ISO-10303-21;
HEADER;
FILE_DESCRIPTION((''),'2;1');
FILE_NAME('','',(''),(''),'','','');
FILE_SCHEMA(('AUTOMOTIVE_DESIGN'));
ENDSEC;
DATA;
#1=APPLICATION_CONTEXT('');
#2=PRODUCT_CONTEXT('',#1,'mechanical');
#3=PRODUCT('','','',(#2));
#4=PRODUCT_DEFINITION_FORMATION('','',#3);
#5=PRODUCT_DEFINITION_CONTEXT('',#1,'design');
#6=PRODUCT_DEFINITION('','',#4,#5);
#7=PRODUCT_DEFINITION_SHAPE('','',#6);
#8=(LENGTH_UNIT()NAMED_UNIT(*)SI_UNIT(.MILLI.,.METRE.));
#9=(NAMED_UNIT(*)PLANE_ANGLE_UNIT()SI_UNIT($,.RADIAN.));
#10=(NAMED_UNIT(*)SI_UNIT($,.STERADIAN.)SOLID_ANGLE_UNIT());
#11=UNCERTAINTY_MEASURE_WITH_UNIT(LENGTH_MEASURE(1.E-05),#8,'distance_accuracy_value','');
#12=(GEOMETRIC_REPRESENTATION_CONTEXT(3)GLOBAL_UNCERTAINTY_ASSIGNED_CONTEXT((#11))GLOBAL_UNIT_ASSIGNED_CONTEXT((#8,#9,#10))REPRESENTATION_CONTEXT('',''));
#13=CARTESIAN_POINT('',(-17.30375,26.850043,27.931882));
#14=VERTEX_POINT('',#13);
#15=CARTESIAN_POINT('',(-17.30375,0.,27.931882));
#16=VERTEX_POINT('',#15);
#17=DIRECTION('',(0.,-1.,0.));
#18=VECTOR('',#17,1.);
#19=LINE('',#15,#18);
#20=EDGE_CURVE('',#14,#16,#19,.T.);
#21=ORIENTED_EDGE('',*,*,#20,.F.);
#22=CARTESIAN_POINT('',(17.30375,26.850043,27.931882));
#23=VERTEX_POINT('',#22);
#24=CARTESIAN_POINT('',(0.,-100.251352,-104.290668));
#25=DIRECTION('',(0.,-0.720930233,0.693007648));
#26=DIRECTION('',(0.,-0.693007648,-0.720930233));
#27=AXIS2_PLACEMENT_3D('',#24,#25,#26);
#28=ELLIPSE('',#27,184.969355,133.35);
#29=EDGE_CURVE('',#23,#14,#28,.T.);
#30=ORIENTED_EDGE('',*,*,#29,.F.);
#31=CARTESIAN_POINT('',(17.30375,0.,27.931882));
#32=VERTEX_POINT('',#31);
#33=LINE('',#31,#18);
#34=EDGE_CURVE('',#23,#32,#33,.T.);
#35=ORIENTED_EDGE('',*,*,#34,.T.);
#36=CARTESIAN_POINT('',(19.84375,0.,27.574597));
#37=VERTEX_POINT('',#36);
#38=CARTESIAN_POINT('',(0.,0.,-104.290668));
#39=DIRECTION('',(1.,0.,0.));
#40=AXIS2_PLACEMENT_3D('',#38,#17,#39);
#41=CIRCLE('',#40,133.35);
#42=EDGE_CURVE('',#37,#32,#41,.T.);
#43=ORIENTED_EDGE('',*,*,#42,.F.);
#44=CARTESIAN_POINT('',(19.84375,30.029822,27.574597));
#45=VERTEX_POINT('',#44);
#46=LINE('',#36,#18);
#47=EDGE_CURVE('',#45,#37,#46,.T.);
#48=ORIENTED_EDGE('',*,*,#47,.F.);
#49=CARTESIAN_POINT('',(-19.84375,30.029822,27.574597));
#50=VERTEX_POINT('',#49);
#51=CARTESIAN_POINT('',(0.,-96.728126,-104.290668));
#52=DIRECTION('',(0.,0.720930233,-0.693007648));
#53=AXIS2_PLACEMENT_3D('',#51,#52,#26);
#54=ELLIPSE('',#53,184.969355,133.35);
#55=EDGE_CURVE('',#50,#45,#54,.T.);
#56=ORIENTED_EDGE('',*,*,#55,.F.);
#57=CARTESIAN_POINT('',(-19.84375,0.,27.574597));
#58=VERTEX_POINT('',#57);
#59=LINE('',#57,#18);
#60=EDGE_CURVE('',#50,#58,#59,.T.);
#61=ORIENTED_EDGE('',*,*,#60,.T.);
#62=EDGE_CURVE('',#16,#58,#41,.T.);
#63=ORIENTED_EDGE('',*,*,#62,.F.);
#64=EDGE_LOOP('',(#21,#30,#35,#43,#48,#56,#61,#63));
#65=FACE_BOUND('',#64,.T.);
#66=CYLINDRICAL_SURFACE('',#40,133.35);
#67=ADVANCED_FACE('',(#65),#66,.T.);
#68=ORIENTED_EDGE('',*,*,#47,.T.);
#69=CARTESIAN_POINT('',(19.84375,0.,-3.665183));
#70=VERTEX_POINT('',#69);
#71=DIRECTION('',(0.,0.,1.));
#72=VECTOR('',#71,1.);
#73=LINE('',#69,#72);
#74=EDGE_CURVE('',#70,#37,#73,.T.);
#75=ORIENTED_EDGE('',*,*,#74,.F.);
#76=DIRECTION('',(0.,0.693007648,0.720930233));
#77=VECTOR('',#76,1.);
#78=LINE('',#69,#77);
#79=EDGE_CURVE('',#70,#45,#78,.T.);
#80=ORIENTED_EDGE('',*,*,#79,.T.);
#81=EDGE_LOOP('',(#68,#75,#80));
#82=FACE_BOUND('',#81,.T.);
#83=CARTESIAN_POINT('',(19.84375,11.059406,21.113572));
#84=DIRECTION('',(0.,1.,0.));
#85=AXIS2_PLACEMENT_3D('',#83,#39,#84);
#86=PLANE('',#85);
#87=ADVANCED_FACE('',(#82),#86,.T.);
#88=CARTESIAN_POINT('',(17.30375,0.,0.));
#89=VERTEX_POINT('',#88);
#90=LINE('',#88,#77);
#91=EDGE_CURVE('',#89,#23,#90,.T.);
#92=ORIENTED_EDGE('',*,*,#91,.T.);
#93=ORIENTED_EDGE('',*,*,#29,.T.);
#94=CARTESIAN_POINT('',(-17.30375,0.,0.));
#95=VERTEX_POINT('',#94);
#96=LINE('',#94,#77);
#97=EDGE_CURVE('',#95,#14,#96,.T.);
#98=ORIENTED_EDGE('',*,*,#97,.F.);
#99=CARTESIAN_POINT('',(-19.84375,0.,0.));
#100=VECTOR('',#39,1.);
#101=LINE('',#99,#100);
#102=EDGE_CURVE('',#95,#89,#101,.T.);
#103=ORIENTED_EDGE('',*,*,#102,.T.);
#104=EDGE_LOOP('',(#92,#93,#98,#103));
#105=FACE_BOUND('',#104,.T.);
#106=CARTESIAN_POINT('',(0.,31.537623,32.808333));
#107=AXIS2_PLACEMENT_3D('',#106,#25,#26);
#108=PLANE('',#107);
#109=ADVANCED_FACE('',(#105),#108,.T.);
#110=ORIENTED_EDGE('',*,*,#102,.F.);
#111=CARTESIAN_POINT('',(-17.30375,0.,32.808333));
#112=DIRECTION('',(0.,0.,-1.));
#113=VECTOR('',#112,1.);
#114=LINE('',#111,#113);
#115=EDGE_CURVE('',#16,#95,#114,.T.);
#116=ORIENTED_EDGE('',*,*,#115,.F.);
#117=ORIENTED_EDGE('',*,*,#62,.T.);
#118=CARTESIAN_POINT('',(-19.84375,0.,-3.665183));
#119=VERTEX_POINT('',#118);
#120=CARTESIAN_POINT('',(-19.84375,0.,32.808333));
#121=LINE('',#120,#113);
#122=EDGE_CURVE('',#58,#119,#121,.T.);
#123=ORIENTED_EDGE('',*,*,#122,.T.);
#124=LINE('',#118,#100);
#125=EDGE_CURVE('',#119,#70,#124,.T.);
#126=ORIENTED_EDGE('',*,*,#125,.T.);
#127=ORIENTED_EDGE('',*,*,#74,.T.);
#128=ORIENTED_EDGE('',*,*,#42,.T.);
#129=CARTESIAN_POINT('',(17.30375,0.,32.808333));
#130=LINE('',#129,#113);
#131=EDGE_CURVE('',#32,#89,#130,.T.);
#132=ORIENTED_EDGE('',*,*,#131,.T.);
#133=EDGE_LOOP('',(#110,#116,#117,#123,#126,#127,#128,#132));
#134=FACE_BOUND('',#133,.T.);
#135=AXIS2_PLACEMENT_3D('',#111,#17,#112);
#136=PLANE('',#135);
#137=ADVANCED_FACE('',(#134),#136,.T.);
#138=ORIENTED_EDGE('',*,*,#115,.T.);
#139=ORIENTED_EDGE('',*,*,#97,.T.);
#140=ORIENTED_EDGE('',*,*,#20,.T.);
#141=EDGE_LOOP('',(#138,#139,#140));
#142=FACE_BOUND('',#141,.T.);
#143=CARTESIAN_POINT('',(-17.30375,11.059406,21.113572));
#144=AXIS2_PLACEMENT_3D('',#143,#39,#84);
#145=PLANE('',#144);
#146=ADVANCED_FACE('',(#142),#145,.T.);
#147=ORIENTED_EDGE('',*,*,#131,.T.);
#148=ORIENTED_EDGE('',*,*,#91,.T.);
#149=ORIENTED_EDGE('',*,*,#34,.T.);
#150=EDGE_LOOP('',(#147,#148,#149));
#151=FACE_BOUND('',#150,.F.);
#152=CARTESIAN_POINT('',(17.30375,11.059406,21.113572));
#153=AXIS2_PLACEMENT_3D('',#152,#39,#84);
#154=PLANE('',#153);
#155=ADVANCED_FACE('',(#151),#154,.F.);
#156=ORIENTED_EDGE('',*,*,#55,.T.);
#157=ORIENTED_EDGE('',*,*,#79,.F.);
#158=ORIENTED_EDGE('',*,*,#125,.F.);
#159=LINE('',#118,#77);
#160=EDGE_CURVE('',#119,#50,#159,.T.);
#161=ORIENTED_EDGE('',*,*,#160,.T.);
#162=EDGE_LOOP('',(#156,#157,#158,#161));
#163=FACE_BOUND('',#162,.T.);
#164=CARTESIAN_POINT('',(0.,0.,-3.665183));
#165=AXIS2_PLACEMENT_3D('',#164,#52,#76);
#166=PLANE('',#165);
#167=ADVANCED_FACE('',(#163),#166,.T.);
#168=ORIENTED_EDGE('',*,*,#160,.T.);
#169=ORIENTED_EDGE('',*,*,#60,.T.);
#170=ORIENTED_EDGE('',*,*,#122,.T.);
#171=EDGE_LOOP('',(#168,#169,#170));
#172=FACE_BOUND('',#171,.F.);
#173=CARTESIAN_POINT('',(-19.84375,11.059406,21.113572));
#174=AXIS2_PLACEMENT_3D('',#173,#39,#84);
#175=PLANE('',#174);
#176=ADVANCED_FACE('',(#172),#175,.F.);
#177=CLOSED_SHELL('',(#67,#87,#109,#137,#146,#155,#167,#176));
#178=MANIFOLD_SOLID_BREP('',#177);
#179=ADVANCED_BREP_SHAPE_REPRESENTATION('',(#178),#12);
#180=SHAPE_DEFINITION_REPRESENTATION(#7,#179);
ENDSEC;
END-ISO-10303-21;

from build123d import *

# Parameters (mm, degrees)
F1_DEPTH      = 19.84375
F1_DEPTH_BACK = 19.84375
F2_START      = 17.30375
F2_DEPTH      = 2.54
F3_START      = -17.30375
F3_DEPTH      = 2.54
F4_R          = 159.2477786005
F4_R_2        = 133.35
F5_DEPTH      = 127


with BuildPart() as f1:
    # F0 (on Right) → F1 (new body, two sides)
    with BuildSketch(Plane.YZ) as f1_sk:
        Polygon((31.5376230345, 32.8083333333), (0, 0), (0, -3.6651832175), (35.060848841, 32.8083333333), align=None)
    extrude(amount=F1_DEPTH)
    extrude(f1_sk.sketch, amount=-F1_DEPTH_BACK)

    # F0 (on Right) → F2 (join)
    with BuildSketch(Plane.YZ.offset(F2_START)):
        Polygon((0, 32.8083333333), (0, 0), (31.5376230345, 32.8083333333), align=None)
    extrude(amount=F2_DEPTH)

    # F0 (on Right) → F3 (join)
    with BuildSketch(Plane.YZ.offset(F3_START)):
        Polygon((0, 32.8083333333), (0, 0), (31.5376230345, 32.8083333333), align=None)
    extrude(amount=-F3_DEPTH)

    # F4 (on Front) → F5 (cut)
    with BuildSketch(Plane.XZ):
        with Locations((0, -104.29066769)):
            Circle(F4_R)
        with Locations((0, -104.29066769)):
            Circle(F4_R_2, mode=Mode.SUBTRACT)
    extrude(amount=-F5_DEPTH, mode=Mode.SUBTRACT)


solid = f1.part
